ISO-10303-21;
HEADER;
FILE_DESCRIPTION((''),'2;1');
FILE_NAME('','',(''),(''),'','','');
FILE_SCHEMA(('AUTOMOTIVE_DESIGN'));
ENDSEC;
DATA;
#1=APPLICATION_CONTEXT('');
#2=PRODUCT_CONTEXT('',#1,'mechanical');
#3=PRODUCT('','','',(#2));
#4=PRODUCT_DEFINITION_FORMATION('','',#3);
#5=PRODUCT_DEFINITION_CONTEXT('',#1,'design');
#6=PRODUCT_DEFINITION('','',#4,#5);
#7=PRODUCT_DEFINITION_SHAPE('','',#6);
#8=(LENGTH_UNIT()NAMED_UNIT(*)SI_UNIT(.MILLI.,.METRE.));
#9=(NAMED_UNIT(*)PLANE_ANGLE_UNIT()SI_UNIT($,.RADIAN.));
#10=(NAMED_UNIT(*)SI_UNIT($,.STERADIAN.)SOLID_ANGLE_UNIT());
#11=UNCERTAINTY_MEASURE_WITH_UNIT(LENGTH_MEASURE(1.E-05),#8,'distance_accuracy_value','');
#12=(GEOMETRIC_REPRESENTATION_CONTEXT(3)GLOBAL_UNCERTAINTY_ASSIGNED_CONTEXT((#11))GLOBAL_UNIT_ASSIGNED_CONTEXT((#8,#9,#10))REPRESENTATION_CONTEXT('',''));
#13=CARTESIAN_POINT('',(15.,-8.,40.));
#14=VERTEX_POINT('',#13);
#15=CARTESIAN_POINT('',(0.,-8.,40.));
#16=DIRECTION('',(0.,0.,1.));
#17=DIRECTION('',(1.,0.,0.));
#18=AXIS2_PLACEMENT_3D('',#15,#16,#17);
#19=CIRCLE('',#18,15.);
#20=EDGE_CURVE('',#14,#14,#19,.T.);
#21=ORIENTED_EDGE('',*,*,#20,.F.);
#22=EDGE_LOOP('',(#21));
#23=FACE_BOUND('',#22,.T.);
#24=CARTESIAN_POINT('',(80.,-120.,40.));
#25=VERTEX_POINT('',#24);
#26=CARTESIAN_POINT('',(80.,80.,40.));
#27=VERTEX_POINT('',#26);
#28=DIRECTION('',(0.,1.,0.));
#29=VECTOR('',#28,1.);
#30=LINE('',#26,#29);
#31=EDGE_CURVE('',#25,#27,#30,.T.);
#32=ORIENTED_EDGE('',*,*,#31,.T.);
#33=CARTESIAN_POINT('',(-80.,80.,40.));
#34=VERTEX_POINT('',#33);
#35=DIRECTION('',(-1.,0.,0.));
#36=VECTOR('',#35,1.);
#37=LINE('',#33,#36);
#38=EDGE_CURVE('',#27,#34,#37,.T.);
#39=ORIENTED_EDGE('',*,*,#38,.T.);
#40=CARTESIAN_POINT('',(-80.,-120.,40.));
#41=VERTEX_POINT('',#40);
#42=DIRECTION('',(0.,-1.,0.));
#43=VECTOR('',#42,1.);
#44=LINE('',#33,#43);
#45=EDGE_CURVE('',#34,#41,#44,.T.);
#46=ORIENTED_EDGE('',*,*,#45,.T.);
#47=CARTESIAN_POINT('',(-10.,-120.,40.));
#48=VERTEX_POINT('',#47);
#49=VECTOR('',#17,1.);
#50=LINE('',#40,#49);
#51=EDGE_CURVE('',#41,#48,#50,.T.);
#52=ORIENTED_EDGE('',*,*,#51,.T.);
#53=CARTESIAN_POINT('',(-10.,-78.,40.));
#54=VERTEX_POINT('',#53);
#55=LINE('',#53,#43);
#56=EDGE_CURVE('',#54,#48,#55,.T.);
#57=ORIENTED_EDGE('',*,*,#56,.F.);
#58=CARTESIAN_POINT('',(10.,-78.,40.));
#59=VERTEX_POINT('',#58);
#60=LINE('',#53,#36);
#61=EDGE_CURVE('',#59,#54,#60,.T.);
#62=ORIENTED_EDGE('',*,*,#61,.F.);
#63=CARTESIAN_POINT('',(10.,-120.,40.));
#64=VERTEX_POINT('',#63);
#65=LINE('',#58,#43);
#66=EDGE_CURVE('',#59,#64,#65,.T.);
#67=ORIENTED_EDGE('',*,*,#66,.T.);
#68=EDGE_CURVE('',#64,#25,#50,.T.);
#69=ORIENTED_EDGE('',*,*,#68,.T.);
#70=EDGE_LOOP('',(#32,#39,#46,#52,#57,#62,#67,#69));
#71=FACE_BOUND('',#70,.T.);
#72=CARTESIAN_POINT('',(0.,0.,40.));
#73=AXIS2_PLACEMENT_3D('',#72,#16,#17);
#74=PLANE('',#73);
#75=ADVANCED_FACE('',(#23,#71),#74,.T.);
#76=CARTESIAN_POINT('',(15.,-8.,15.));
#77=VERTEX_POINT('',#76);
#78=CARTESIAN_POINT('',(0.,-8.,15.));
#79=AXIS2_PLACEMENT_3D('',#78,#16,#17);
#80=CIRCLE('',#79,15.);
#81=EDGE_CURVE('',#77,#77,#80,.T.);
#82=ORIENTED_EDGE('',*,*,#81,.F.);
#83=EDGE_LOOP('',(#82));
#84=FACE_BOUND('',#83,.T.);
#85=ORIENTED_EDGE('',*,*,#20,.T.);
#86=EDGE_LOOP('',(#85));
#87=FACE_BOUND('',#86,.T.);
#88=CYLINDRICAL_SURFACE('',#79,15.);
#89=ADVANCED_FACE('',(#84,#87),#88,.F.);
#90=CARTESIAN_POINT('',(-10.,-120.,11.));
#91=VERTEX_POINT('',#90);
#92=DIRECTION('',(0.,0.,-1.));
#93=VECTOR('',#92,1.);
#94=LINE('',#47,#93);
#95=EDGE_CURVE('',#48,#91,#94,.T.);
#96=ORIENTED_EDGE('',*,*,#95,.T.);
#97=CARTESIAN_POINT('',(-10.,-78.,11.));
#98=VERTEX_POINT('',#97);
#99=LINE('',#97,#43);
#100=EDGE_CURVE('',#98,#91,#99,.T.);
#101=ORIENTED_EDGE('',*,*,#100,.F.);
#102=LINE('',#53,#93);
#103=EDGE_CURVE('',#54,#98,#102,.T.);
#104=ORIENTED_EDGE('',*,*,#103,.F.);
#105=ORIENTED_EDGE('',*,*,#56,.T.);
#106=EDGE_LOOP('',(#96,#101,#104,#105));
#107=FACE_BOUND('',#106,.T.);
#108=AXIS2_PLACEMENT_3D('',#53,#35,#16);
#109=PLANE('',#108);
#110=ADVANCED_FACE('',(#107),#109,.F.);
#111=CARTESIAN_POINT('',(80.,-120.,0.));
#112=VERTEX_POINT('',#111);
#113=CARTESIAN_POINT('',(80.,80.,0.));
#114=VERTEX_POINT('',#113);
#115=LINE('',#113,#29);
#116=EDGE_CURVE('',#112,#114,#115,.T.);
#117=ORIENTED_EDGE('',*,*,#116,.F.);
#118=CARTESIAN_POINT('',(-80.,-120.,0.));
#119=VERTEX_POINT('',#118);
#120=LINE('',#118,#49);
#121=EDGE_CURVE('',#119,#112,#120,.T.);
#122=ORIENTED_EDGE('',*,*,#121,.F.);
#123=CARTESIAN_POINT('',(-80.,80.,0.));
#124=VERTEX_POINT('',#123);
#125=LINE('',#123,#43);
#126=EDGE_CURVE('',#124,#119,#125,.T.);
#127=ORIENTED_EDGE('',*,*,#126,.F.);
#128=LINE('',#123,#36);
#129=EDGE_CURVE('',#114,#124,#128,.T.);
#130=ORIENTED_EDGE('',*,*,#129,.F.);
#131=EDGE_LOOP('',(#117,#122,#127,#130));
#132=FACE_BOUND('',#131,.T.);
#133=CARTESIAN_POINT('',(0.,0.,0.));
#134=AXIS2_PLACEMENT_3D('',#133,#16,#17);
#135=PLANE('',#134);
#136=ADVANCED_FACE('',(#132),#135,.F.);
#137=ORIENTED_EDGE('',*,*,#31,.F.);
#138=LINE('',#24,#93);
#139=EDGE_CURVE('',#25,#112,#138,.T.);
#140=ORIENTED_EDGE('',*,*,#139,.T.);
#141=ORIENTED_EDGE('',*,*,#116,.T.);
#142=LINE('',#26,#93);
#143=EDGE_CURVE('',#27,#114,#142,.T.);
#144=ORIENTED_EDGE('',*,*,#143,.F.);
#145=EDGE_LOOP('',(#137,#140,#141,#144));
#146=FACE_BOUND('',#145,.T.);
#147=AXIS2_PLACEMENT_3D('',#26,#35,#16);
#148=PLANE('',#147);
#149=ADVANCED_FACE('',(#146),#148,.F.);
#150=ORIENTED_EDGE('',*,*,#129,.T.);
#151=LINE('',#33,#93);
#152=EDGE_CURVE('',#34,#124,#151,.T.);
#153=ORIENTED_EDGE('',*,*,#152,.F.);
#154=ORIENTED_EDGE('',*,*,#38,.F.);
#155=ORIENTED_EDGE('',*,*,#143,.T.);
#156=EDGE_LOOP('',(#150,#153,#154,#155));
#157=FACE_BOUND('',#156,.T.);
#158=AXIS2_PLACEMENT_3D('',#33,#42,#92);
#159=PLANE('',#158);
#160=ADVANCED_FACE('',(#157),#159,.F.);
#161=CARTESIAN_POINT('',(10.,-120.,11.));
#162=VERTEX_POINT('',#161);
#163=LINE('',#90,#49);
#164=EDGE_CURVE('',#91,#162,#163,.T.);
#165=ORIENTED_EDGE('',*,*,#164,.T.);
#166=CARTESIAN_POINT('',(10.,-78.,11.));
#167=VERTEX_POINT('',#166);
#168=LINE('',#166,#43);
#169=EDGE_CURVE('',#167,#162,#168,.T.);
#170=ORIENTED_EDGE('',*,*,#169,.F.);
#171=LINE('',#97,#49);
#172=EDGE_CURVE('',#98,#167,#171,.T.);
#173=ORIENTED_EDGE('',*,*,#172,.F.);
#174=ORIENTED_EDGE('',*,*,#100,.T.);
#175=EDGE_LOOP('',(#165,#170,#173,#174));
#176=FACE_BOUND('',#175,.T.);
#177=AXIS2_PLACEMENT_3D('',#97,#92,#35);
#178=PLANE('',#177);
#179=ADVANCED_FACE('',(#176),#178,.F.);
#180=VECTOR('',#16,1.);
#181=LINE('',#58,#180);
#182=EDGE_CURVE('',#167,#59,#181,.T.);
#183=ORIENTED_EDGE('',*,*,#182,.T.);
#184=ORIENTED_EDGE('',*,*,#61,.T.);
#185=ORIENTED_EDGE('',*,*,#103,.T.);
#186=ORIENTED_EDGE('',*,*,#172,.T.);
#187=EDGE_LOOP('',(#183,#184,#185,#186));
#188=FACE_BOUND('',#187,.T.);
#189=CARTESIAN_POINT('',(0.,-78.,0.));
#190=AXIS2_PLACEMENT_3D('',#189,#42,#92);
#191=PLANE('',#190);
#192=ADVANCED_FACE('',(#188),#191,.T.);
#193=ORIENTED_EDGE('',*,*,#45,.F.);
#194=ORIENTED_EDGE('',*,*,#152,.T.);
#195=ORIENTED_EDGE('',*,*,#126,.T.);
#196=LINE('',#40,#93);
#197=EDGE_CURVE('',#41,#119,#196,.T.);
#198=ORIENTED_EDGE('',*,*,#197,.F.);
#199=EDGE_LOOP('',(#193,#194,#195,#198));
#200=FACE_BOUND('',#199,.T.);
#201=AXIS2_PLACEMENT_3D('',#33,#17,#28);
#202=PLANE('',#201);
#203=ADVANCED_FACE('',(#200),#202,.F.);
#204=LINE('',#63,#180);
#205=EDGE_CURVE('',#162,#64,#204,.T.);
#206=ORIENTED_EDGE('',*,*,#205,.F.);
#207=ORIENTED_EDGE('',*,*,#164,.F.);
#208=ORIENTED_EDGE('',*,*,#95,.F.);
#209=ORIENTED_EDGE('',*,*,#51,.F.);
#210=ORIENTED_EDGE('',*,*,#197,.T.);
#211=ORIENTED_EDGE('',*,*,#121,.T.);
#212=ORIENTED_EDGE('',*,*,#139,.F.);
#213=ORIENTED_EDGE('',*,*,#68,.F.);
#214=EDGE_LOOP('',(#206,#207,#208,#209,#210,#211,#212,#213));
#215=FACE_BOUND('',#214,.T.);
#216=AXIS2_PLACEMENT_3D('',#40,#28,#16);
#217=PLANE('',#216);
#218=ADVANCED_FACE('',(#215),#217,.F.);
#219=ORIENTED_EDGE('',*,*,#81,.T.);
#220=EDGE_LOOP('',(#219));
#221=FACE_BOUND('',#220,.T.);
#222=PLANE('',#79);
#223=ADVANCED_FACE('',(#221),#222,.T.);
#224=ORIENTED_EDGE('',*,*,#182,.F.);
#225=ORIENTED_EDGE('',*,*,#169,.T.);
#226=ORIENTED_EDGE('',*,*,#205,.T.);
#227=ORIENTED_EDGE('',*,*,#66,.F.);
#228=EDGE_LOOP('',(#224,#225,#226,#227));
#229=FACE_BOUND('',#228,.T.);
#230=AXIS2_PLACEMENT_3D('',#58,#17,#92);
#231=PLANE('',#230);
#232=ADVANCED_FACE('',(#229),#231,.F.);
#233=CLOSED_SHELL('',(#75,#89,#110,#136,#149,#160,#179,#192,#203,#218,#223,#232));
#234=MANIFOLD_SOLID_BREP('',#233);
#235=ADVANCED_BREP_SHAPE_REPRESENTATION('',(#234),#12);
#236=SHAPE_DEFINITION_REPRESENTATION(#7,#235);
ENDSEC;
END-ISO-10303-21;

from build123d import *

# Parameters (mm, degrees)
SKETCH1_W           = 160
SKETCH1_H           = 200
BOSS_EXTRUDE1_DEPTH = 40
SKETCH2_W           = 20
SKETCH2_H           = 29
CUT_EXTRUDE1_DEPTH  = 42
SKETCH3_R           = 15
CUT_EXTRUDE2_DEPTH  = 25


with BuildPart() as part:
    # Sketch1 → Boss-Extrude1 (new body)
    with BuildSketch(Plane.XY):
        with Locations((0, -20)):
            Rectangle(SKETCH1_W, SKETCH1_H)
    extrude(amount=BOSS_EXTRUDE1_DEPTH)

    # Sketch2 → Cut-Extrude1 (cut)
    with BuildSketch(Plane.XZ.offset(120)):
        with Locations((0, 25.5)):
            Rectangle(SKETCH2_W, SKETCH2_H)
    extrude(amount=-CUT_EXTRUDE1_DEPTH, mode=Mode.SUBTRACT)

    # Sketch3 → Cut-Extrude2 (cut)
    with BuildSketch(Plane.XY.offset(40)):
        with Locations((0, -8)):
            Circle(SKETCH3_R)
    extrude(amount=-CUT_EXTRUDE2_DEPTH, mode=Mode.SUBTRACT)


solid = part.part
